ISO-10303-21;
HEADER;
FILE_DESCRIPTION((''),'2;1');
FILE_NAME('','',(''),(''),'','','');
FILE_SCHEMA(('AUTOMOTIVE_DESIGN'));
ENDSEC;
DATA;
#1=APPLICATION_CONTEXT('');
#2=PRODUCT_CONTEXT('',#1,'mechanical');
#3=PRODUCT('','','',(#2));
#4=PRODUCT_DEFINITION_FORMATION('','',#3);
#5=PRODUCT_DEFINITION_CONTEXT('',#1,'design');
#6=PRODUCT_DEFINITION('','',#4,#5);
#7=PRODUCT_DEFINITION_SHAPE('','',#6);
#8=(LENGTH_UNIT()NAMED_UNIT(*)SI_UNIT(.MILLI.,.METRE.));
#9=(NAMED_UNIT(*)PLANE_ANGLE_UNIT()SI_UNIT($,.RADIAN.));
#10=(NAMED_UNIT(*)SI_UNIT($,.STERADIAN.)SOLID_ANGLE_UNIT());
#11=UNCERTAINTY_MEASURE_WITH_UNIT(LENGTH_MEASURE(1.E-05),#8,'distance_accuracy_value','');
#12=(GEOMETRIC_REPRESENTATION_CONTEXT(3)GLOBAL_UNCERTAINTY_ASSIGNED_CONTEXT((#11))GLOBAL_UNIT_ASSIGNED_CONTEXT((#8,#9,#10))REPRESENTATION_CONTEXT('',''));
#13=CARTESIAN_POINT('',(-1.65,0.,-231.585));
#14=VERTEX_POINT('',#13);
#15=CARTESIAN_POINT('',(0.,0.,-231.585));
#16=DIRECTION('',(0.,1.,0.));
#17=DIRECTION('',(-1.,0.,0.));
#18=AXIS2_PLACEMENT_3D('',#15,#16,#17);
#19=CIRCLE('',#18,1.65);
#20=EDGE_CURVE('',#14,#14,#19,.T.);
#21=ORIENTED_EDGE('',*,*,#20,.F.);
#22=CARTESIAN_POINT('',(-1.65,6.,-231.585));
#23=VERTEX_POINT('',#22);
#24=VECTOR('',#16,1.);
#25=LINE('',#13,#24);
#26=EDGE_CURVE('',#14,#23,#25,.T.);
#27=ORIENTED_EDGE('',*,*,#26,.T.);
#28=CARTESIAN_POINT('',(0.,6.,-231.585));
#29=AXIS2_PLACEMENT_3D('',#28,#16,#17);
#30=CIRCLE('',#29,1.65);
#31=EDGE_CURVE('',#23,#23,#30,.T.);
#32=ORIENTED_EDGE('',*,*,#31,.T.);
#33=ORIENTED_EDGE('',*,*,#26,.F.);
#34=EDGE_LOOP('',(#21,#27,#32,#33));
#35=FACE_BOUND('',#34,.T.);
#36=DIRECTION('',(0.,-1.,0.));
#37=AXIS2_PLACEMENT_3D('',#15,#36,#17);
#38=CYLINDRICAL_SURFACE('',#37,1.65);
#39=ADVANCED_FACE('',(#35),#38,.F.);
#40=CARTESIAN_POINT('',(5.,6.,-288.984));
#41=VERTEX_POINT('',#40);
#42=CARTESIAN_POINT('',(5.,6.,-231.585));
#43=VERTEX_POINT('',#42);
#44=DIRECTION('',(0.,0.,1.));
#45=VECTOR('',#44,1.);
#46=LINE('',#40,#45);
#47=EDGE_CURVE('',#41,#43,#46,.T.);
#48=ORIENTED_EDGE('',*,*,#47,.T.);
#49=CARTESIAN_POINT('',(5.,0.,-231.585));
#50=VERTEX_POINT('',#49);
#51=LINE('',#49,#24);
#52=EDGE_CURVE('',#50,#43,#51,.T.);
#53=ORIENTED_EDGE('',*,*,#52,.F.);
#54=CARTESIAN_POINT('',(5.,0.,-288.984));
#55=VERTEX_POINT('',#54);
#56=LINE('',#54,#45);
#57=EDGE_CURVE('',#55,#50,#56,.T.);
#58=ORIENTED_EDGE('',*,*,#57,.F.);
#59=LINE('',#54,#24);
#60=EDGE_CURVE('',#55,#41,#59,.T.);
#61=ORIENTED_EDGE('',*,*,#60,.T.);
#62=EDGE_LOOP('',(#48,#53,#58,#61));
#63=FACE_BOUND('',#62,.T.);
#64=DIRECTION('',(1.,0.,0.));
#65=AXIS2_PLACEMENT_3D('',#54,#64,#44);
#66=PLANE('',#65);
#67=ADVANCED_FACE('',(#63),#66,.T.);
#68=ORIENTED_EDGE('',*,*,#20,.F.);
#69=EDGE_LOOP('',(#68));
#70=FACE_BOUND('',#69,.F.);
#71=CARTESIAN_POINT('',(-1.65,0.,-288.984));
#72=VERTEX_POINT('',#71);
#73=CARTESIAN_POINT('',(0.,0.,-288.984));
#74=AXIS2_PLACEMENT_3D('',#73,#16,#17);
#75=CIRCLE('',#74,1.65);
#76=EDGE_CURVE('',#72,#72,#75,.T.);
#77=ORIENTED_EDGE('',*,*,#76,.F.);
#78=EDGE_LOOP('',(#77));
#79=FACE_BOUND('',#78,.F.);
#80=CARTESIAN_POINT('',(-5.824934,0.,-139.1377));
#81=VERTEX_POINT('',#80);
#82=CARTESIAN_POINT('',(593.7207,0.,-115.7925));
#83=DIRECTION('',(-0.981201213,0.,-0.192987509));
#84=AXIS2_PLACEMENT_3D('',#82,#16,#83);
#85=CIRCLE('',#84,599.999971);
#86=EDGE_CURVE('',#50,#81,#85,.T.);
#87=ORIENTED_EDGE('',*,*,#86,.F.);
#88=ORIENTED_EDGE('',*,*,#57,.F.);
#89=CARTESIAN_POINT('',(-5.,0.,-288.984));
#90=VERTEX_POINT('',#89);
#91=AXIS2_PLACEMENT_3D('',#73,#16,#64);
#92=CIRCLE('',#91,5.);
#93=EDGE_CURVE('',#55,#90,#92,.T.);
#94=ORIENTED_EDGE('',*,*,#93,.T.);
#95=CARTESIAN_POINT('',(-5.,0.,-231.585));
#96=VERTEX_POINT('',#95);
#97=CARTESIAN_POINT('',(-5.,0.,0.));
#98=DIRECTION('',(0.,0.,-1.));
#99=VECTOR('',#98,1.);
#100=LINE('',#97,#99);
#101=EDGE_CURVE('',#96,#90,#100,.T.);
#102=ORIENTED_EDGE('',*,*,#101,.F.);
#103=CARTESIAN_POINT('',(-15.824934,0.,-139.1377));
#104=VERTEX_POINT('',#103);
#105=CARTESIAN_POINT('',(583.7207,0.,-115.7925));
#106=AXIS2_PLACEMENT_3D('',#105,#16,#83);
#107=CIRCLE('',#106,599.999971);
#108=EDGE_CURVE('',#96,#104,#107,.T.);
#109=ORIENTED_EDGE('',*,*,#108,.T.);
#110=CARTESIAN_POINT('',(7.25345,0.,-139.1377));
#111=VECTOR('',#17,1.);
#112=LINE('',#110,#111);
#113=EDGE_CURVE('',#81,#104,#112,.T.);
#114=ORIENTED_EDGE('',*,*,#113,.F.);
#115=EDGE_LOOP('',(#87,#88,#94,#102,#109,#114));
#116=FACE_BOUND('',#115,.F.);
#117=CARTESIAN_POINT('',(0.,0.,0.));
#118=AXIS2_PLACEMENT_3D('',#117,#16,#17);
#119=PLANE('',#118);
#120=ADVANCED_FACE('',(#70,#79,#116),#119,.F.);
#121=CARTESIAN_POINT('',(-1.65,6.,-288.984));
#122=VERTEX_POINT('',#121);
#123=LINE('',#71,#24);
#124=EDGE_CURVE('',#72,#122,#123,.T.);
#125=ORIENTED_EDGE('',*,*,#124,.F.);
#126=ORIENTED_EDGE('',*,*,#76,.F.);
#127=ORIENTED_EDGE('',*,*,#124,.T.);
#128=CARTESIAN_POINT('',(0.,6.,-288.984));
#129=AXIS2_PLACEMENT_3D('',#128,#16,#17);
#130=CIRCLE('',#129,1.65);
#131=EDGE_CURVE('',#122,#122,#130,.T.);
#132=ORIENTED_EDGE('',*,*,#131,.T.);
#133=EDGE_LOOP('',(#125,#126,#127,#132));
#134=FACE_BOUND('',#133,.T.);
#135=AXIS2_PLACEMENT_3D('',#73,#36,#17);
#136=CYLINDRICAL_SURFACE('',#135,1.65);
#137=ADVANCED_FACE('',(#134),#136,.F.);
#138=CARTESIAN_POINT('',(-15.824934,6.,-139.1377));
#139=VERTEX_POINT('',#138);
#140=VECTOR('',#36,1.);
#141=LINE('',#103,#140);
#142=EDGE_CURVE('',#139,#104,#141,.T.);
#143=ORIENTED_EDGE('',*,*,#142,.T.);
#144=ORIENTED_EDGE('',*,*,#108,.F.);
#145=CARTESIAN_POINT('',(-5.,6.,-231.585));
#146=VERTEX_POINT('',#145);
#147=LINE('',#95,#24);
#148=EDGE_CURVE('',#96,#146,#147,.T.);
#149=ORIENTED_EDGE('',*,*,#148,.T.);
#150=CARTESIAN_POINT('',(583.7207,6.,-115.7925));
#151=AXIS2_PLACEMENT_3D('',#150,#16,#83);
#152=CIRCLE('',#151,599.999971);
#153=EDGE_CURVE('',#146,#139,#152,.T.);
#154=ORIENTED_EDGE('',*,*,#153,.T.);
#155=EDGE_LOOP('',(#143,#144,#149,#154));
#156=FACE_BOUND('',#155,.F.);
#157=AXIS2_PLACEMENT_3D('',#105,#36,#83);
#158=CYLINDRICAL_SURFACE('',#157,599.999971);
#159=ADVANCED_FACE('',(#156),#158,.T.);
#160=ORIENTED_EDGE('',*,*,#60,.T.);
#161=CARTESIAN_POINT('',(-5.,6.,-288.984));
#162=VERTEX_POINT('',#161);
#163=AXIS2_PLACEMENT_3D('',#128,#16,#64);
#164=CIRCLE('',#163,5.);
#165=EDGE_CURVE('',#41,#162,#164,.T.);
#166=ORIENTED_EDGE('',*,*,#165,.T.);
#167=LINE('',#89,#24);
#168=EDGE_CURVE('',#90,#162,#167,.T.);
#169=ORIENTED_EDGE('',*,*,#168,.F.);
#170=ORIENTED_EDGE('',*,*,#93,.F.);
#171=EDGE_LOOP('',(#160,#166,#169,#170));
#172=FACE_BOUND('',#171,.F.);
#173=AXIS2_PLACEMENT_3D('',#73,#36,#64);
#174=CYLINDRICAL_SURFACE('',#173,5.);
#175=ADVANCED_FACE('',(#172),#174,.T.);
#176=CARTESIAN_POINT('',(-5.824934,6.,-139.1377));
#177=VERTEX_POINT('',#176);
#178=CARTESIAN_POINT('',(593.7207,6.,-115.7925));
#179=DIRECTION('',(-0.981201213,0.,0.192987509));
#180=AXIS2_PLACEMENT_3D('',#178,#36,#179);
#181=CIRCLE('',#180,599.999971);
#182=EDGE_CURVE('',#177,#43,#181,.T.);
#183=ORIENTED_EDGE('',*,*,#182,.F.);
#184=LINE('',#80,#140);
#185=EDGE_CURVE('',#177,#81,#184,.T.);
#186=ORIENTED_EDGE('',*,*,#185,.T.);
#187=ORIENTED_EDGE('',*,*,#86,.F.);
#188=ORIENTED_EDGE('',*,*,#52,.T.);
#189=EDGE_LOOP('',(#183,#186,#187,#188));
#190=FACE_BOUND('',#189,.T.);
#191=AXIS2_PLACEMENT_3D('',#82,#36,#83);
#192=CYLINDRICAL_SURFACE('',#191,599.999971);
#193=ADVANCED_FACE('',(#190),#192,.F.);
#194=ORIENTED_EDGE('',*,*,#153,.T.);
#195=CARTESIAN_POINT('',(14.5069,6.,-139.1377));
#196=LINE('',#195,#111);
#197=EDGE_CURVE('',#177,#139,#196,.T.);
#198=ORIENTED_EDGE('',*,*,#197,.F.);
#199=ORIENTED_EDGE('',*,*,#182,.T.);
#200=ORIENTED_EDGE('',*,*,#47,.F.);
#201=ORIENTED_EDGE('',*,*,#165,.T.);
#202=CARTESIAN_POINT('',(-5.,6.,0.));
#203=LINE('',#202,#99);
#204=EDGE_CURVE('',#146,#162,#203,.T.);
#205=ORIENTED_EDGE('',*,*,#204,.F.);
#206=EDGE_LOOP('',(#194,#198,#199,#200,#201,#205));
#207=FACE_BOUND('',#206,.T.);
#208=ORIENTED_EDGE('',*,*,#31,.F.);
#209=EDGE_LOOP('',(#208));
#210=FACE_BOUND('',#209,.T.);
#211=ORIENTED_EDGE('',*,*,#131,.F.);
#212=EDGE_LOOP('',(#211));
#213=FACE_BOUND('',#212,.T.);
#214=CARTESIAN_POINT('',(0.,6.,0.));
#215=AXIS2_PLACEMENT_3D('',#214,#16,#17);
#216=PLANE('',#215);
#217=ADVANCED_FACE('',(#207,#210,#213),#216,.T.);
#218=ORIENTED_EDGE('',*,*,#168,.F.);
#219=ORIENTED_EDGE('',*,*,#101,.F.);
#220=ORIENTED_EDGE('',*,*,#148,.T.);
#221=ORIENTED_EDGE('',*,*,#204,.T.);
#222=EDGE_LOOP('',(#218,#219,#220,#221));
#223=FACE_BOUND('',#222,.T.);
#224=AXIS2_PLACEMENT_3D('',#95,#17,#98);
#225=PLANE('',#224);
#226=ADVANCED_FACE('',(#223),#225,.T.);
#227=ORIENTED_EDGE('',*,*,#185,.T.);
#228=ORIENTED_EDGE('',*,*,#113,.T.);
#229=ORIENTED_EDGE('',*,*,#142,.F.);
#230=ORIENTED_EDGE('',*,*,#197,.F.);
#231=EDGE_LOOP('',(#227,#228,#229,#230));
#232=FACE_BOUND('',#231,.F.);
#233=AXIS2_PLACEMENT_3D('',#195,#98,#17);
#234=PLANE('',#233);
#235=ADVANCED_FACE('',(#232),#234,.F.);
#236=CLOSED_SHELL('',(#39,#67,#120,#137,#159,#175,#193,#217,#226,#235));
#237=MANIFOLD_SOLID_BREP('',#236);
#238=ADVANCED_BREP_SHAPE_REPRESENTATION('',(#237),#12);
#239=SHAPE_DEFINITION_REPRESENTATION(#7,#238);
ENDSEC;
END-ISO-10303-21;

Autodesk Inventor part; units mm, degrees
ref_plane "YZ Plane" through (0, 0, 0) normal (1, 0, 0) x (0, 1, 0)
ref_plane "XZ Plane" through (0, 0, 0) normal (0, 1, 0) x (-1, 0, 0)
ref_plane "XY Plane" through (0, 0, 0) normal (0, 0, 1) x (1, 0, 0)
sketch "Sketch1" plane through (0, 0, 0) normal (0, 1, 0) x (-1, 0, 0)
  line L0 (0, 0) -> (0, -288.984) construction
  line L1 (5, 0) -> (5, -288.984)
  line L2 (-5, -288.984) -> (-5, 0)
  arc A0 (5, 0) -> (-5, 0) centre (0, 0) ccw
  arc A1 (-5, -288.984) -> (5, -288.984) centre (0, -288.984) ccw
  circle A2 centre (0, 0) radius 1.65
  circle A3 centre (0, -288.984) radius 1.65
  circle A4 centre (0, -231.585) radius 1.65
  arc A5 (-5, -231.585) -> (-5, 0) centre (-593.7207, -115.7925) ccw
  arc A6 (5, -231.585) -> (5, 0) centre (-583.7207, -115.7925) ccw
  point P0 (0, -144.492)
  dimension "d0" = 3.3
  dimension "d1" = 3.3
  dimension "d2" = 10
  dimension "d3" = 288.984
  dimension "d14" = 3.3
  dimension "d15" = 231.585
  dimension "d18" = 600
  dimension "d19" = 600
extrude "Extrusion1" add sketch "Sketch1" along normal blind 6 contours L1 A1 L2 A5 | L1 A5 A6 | L1 A5 A0
sketch "Sketch2" plane through (0, 6, 0) normal (0, 1, 0) x (1, 0, 0)
  line L0 (-27.7109, 299.4385) -> (14.5069, 299.4385)
  line L1 (14.5069, 299.4385) -> (14.5069, 139.1377)
  line L2 (14.5069, 139.1377) -> (-27.7109, 139.1377)
  line L3 (-27.7109, 139.1377) -> (-27.7109, 299.4385)
  line L4 (-101.0366, 321.0236) -> (54.5028, 321.0236)
  line L5 (54.5028, 321.0236) -> (54.5028, -14.1796)
  line L6 (54.5028, -14.1796) -> (-101.0366, -14.1796)
  line L7 (-101.0366, -14.1796) -> (-101.0366, 321.0236)
  point P0 (0, 0)
extrude "Extrusion2" cut sketch "Sketch2" against normal blind 10
properties part number "Part_7_p2"
